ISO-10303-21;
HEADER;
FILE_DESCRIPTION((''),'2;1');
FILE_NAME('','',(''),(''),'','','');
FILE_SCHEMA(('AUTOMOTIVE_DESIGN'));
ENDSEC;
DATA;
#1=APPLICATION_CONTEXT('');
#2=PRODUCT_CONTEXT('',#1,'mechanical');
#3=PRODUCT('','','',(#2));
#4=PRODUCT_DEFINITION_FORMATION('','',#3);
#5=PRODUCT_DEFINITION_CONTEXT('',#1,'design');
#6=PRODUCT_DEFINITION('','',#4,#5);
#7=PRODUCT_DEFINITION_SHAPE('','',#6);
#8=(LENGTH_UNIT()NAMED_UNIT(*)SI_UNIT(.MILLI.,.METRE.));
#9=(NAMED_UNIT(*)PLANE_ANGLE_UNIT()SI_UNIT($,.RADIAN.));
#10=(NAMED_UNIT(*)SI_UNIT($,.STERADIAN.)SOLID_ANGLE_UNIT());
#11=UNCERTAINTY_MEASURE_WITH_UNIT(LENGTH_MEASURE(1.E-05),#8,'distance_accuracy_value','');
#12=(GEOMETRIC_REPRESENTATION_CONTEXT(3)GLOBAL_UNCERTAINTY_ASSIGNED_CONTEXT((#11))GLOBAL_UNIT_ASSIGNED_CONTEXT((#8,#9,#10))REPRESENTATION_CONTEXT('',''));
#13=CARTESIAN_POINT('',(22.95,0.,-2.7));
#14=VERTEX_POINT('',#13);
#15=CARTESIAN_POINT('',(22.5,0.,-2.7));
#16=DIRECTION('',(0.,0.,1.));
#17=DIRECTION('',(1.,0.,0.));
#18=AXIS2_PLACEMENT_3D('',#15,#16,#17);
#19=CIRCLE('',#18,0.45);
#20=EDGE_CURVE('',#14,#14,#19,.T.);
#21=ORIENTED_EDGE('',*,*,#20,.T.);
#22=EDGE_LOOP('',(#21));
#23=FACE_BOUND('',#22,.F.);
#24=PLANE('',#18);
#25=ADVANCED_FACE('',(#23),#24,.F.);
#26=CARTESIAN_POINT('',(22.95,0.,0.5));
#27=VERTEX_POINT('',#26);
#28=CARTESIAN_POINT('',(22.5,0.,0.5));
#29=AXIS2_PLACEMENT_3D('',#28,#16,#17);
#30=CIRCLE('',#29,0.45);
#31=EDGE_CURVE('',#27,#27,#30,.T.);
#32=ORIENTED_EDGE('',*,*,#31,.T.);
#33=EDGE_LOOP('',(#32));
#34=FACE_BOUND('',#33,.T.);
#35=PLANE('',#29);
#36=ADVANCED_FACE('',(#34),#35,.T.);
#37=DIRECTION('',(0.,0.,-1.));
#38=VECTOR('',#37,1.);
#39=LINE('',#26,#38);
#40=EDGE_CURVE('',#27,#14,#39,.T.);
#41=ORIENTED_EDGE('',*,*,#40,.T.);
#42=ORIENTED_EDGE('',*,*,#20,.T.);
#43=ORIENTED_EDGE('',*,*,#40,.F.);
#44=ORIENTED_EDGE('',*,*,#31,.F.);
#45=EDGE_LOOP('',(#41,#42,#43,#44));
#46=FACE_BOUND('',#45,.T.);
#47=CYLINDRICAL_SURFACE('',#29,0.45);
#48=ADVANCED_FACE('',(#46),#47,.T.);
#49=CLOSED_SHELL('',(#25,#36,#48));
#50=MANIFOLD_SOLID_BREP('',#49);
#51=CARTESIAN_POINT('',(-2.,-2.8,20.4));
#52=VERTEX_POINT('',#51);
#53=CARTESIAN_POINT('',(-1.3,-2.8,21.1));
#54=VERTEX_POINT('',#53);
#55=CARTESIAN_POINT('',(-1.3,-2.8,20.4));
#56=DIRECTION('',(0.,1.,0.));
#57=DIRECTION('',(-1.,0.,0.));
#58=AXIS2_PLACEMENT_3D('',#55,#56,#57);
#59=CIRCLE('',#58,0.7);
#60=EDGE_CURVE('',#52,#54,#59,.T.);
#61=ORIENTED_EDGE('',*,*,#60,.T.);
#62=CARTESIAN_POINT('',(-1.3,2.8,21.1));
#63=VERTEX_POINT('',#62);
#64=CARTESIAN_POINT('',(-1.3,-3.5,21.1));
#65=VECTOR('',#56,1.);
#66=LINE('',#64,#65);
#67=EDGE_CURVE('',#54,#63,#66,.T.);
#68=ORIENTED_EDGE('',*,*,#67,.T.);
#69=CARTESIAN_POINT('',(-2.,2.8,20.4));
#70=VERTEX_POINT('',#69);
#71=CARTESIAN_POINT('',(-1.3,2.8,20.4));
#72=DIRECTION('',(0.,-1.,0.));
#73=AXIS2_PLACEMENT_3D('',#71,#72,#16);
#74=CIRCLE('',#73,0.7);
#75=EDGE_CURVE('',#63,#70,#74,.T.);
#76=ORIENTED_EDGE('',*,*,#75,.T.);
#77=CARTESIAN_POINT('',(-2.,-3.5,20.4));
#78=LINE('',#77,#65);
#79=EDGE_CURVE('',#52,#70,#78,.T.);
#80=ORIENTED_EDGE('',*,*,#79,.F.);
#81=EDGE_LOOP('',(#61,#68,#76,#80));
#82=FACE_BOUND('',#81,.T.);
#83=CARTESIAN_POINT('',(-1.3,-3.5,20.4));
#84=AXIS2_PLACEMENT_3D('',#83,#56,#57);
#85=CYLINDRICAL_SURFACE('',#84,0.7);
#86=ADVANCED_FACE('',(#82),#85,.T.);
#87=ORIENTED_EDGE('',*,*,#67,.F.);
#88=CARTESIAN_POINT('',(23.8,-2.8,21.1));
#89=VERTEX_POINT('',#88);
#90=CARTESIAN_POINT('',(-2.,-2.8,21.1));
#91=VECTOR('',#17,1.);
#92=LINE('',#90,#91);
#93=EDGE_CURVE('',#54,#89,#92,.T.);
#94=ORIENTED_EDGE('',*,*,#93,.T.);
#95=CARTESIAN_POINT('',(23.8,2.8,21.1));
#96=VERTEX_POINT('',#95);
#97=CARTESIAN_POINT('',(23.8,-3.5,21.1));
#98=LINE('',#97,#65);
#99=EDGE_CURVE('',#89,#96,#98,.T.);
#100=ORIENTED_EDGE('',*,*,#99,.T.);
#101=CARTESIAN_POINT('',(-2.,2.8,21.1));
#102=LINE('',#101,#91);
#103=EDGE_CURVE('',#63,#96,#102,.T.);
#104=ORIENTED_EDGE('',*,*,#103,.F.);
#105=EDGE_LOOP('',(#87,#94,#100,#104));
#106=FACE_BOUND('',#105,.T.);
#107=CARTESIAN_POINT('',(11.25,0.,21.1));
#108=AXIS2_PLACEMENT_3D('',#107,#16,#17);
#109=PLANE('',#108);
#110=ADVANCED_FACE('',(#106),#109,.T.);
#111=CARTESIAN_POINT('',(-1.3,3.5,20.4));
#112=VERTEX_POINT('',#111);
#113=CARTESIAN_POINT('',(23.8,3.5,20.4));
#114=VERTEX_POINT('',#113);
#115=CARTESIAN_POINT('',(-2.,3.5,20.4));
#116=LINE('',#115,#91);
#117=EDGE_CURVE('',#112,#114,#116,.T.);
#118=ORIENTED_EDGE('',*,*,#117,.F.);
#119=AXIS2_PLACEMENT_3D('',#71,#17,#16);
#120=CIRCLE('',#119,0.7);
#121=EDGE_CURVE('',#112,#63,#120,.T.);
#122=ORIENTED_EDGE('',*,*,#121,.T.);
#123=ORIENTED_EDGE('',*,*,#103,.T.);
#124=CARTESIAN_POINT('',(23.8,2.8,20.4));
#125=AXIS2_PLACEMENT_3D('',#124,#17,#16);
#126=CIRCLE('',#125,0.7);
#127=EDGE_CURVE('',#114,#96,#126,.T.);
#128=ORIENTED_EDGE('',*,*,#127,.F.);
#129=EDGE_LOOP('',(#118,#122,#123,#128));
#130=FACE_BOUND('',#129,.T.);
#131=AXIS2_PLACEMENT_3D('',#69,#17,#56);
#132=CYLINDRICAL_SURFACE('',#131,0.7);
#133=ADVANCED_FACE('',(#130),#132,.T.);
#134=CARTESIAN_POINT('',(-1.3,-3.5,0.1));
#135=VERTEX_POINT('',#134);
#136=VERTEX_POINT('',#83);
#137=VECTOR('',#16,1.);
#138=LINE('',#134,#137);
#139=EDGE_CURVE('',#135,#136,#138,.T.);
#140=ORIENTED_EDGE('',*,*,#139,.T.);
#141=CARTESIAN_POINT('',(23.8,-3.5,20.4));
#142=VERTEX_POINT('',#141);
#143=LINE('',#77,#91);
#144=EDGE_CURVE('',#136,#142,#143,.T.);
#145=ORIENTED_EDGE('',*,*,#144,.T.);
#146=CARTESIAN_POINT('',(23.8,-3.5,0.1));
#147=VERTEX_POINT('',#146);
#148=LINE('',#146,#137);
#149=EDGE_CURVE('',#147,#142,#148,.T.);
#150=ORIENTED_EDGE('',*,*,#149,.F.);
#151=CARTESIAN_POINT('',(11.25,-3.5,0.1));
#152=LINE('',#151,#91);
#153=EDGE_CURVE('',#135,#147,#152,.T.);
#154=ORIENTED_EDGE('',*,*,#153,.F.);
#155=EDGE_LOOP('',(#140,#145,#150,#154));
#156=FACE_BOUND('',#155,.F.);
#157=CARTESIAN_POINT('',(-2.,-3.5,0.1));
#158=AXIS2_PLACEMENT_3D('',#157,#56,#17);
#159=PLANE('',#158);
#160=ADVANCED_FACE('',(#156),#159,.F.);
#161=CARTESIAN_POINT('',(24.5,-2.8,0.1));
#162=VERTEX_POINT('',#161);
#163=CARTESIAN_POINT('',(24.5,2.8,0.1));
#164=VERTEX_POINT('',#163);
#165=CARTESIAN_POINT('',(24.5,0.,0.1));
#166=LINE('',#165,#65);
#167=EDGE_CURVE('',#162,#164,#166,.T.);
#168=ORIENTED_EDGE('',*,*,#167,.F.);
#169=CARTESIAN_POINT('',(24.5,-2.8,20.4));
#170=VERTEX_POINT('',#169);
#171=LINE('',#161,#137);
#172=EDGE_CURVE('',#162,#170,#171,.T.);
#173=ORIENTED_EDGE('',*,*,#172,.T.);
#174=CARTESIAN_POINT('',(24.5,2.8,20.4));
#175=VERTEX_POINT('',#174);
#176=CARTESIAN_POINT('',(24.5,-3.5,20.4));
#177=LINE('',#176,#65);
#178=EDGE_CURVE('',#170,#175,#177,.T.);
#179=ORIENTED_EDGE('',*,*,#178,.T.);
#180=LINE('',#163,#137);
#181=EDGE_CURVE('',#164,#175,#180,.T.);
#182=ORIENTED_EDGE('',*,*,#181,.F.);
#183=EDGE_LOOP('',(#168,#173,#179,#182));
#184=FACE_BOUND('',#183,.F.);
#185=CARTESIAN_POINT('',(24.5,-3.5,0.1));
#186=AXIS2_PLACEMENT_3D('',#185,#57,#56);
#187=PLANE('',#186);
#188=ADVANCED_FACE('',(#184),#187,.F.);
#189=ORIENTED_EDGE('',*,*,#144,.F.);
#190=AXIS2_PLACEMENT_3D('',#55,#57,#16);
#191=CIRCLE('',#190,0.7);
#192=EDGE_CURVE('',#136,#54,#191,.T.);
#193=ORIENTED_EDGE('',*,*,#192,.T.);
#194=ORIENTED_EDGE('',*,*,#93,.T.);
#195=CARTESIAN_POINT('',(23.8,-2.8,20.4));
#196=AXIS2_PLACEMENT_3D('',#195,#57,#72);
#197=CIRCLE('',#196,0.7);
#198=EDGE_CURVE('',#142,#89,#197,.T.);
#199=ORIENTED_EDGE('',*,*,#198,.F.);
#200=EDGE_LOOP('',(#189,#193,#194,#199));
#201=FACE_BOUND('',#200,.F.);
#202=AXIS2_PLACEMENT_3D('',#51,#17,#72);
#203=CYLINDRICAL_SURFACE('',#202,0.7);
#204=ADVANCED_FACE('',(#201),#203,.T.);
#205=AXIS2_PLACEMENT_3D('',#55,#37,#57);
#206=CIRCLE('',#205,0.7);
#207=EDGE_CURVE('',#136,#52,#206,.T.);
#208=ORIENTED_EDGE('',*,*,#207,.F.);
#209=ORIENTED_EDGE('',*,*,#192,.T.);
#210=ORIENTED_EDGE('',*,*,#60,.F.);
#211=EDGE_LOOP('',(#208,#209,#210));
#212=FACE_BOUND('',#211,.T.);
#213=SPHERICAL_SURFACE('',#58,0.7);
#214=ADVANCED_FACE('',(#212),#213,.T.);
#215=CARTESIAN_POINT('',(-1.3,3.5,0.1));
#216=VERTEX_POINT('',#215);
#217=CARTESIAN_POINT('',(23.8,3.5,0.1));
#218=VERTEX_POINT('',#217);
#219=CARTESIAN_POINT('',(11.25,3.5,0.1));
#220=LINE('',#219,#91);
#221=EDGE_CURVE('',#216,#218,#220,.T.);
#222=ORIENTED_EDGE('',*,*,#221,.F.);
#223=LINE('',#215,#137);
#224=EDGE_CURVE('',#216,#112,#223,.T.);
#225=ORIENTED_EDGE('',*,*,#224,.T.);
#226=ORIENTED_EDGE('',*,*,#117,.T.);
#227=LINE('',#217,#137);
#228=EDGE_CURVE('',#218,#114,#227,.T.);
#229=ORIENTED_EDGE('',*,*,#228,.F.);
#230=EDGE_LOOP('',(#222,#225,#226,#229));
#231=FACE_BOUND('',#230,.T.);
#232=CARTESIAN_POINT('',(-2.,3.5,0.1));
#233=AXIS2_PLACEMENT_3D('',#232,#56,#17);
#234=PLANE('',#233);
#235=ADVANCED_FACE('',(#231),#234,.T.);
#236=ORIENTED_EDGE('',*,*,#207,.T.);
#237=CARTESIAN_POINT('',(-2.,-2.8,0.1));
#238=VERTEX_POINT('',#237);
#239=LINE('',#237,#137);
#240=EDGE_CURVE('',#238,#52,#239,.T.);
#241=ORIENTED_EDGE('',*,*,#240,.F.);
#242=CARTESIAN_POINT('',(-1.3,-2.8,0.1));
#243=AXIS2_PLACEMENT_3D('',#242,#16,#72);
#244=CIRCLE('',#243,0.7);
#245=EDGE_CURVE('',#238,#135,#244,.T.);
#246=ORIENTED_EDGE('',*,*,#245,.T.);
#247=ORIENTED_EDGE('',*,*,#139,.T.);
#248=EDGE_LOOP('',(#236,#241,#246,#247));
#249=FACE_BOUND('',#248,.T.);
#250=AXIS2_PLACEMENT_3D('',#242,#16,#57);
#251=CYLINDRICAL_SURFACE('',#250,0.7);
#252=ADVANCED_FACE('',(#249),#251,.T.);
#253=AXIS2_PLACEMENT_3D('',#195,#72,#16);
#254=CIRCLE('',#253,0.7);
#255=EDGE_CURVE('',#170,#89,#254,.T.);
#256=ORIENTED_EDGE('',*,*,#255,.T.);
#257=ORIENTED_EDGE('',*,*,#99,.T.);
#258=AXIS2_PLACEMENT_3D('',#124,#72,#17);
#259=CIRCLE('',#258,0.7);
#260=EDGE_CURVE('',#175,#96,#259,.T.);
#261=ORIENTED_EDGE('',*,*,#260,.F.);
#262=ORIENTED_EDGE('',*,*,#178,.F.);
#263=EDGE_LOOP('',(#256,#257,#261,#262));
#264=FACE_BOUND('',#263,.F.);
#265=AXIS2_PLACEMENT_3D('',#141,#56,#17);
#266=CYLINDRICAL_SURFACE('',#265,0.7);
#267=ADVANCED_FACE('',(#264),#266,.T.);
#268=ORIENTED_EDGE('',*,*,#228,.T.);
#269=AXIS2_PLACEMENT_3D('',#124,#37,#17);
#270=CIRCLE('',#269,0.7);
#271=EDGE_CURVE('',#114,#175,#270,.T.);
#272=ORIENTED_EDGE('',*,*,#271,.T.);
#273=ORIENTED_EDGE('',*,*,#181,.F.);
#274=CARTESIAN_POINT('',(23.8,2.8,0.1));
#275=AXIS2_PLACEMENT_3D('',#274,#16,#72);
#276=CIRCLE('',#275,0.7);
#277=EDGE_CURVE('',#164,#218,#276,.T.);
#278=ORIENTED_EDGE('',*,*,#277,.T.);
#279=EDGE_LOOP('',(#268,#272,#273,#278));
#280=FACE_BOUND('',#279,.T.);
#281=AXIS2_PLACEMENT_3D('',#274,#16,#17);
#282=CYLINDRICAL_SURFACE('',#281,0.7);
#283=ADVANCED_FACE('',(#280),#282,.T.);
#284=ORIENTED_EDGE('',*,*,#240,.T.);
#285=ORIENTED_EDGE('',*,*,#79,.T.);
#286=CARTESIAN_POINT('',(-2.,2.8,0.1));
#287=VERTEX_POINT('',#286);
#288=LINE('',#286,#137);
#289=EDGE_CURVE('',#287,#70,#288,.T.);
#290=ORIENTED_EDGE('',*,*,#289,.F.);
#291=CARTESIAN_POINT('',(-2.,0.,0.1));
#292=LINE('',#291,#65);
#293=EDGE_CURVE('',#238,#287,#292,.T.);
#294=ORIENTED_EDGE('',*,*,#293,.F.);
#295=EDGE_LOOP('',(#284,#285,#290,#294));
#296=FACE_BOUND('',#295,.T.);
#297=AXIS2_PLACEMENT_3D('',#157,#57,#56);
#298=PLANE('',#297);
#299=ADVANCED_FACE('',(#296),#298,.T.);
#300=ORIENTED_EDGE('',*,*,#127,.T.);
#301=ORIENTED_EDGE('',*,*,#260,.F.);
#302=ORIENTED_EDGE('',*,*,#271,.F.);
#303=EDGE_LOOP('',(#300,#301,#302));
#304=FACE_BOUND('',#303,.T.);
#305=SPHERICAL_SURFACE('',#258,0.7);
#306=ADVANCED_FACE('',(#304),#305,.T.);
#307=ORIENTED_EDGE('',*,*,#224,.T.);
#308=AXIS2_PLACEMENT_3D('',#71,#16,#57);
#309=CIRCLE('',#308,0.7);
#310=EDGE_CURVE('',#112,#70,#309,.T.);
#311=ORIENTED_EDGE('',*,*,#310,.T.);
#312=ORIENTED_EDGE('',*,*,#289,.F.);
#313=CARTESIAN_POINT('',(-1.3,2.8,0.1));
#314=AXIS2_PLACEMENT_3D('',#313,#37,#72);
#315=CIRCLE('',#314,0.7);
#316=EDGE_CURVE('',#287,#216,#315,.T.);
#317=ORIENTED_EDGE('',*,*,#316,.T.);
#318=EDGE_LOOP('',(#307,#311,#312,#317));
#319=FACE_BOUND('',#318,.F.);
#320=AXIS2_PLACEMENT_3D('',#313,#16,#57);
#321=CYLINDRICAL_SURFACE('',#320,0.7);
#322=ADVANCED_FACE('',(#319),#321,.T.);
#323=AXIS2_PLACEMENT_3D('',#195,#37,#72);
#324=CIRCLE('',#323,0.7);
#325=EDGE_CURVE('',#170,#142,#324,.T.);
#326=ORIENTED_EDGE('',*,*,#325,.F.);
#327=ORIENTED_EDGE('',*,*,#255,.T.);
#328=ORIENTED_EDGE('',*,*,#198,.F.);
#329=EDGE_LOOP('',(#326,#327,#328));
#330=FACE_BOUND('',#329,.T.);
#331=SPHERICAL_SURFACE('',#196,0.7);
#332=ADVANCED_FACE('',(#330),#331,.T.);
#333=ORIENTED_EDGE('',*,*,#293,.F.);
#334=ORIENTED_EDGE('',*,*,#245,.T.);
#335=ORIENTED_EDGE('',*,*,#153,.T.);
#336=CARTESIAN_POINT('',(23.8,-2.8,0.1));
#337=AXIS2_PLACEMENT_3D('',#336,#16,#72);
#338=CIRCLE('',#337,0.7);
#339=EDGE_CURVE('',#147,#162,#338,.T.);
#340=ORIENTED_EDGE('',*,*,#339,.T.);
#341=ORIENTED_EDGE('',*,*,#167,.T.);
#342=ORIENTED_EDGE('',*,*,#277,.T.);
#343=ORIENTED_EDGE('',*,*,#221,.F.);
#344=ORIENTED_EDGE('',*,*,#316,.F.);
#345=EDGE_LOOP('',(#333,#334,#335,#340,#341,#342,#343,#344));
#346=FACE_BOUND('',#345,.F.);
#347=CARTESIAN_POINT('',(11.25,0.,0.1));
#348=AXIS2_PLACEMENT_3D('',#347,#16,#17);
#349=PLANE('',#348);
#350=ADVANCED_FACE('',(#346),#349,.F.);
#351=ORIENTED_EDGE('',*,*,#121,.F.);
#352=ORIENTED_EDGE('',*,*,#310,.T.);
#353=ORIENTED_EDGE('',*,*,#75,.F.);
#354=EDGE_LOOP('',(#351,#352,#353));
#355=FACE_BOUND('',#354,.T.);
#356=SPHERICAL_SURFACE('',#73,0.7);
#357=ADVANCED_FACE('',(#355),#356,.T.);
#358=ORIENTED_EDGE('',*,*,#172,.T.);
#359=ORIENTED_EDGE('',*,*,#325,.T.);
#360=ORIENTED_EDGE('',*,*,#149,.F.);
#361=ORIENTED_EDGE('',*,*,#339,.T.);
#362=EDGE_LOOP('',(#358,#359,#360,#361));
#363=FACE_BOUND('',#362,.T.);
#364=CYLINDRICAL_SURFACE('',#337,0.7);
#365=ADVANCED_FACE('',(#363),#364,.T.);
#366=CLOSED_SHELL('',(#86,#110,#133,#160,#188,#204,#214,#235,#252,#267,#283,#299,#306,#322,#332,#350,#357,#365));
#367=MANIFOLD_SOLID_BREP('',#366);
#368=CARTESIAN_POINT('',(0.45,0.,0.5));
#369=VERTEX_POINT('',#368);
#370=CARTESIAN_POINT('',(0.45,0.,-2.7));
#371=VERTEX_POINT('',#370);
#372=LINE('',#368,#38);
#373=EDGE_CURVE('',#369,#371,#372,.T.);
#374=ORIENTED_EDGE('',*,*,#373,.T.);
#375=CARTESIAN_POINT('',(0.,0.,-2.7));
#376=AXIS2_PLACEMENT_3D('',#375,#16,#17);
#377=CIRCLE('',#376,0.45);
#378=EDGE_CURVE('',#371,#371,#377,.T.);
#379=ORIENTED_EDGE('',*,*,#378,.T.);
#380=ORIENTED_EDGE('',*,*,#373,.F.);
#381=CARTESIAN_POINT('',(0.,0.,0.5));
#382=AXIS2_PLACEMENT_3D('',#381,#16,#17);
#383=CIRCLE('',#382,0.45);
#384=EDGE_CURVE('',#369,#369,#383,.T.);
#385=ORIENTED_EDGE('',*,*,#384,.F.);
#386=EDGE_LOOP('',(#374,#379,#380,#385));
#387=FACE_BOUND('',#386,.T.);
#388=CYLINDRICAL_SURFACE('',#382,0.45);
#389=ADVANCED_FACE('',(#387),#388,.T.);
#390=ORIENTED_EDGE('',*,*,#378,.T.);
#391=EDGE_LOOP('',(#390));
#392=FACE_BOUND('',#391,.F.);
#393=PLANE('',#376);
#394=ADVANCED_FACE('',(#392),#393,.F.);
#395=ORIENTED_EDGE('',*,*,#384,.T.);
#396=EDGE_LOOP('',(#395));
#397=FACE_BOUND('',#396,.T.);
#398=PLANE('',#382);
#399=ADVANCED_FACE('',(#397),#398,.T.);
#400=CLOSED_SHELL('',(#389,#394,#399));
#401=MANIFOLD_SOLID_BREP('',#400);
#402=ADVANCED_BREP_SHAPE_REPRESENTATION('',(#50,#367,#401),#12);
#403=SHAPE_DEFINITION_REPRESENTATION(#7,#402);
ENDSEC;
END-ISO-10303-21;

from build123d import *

# Parameters (mm, degrees)
SKETCH_W     = 26.5
SKETCH_H     = 7
PAD_DEPTH    = 21
FILLET_R     = 0.7
SKETCH001_R  = 0.45
PAD001_DEPTH = 3.2


with BuildPart() as fillet_body:
    # Sketch → Pad (new body)
    with BuildSketch(Plane.XY.offset(0.1)):
        with Locations((11.25, 0)):
            Rectangle(SKETCH_W, SKETCH_H)
    extrude(amount=PAD_DEPTH)

    # Fillet
    fillet_edges = [fillet_body.edges().sort_by_distance(p)[0] for p in [
        (-2, 0, 21.1),
        (-2, -3.5, 10.6),
        (11.25, -3.5, 21.1),
        (24.5, -3.5, 10.6),
        (24.5, 0, 21.1),
        (24.5, 3.5, 10.6),
        (11.25, 3.5, 21.1),
        (-2, 3.5, 10.6),
    ]]
    fillet(fillet_edges, radius=FILLET_R)


with BuildPart() as pad001:
    # Sketch001 → Pad001 (new body)
    with BuildSketch(Plane.XY.offset(0.5)):
        Circle(SKETCH001_R)
        with Locations((22.5, 0)):
            Circle(SKETCH001_R)
    extrude(amount=-PAD001_DEPTH)


solid = Compound([fillet_body.part, pad001.part])
